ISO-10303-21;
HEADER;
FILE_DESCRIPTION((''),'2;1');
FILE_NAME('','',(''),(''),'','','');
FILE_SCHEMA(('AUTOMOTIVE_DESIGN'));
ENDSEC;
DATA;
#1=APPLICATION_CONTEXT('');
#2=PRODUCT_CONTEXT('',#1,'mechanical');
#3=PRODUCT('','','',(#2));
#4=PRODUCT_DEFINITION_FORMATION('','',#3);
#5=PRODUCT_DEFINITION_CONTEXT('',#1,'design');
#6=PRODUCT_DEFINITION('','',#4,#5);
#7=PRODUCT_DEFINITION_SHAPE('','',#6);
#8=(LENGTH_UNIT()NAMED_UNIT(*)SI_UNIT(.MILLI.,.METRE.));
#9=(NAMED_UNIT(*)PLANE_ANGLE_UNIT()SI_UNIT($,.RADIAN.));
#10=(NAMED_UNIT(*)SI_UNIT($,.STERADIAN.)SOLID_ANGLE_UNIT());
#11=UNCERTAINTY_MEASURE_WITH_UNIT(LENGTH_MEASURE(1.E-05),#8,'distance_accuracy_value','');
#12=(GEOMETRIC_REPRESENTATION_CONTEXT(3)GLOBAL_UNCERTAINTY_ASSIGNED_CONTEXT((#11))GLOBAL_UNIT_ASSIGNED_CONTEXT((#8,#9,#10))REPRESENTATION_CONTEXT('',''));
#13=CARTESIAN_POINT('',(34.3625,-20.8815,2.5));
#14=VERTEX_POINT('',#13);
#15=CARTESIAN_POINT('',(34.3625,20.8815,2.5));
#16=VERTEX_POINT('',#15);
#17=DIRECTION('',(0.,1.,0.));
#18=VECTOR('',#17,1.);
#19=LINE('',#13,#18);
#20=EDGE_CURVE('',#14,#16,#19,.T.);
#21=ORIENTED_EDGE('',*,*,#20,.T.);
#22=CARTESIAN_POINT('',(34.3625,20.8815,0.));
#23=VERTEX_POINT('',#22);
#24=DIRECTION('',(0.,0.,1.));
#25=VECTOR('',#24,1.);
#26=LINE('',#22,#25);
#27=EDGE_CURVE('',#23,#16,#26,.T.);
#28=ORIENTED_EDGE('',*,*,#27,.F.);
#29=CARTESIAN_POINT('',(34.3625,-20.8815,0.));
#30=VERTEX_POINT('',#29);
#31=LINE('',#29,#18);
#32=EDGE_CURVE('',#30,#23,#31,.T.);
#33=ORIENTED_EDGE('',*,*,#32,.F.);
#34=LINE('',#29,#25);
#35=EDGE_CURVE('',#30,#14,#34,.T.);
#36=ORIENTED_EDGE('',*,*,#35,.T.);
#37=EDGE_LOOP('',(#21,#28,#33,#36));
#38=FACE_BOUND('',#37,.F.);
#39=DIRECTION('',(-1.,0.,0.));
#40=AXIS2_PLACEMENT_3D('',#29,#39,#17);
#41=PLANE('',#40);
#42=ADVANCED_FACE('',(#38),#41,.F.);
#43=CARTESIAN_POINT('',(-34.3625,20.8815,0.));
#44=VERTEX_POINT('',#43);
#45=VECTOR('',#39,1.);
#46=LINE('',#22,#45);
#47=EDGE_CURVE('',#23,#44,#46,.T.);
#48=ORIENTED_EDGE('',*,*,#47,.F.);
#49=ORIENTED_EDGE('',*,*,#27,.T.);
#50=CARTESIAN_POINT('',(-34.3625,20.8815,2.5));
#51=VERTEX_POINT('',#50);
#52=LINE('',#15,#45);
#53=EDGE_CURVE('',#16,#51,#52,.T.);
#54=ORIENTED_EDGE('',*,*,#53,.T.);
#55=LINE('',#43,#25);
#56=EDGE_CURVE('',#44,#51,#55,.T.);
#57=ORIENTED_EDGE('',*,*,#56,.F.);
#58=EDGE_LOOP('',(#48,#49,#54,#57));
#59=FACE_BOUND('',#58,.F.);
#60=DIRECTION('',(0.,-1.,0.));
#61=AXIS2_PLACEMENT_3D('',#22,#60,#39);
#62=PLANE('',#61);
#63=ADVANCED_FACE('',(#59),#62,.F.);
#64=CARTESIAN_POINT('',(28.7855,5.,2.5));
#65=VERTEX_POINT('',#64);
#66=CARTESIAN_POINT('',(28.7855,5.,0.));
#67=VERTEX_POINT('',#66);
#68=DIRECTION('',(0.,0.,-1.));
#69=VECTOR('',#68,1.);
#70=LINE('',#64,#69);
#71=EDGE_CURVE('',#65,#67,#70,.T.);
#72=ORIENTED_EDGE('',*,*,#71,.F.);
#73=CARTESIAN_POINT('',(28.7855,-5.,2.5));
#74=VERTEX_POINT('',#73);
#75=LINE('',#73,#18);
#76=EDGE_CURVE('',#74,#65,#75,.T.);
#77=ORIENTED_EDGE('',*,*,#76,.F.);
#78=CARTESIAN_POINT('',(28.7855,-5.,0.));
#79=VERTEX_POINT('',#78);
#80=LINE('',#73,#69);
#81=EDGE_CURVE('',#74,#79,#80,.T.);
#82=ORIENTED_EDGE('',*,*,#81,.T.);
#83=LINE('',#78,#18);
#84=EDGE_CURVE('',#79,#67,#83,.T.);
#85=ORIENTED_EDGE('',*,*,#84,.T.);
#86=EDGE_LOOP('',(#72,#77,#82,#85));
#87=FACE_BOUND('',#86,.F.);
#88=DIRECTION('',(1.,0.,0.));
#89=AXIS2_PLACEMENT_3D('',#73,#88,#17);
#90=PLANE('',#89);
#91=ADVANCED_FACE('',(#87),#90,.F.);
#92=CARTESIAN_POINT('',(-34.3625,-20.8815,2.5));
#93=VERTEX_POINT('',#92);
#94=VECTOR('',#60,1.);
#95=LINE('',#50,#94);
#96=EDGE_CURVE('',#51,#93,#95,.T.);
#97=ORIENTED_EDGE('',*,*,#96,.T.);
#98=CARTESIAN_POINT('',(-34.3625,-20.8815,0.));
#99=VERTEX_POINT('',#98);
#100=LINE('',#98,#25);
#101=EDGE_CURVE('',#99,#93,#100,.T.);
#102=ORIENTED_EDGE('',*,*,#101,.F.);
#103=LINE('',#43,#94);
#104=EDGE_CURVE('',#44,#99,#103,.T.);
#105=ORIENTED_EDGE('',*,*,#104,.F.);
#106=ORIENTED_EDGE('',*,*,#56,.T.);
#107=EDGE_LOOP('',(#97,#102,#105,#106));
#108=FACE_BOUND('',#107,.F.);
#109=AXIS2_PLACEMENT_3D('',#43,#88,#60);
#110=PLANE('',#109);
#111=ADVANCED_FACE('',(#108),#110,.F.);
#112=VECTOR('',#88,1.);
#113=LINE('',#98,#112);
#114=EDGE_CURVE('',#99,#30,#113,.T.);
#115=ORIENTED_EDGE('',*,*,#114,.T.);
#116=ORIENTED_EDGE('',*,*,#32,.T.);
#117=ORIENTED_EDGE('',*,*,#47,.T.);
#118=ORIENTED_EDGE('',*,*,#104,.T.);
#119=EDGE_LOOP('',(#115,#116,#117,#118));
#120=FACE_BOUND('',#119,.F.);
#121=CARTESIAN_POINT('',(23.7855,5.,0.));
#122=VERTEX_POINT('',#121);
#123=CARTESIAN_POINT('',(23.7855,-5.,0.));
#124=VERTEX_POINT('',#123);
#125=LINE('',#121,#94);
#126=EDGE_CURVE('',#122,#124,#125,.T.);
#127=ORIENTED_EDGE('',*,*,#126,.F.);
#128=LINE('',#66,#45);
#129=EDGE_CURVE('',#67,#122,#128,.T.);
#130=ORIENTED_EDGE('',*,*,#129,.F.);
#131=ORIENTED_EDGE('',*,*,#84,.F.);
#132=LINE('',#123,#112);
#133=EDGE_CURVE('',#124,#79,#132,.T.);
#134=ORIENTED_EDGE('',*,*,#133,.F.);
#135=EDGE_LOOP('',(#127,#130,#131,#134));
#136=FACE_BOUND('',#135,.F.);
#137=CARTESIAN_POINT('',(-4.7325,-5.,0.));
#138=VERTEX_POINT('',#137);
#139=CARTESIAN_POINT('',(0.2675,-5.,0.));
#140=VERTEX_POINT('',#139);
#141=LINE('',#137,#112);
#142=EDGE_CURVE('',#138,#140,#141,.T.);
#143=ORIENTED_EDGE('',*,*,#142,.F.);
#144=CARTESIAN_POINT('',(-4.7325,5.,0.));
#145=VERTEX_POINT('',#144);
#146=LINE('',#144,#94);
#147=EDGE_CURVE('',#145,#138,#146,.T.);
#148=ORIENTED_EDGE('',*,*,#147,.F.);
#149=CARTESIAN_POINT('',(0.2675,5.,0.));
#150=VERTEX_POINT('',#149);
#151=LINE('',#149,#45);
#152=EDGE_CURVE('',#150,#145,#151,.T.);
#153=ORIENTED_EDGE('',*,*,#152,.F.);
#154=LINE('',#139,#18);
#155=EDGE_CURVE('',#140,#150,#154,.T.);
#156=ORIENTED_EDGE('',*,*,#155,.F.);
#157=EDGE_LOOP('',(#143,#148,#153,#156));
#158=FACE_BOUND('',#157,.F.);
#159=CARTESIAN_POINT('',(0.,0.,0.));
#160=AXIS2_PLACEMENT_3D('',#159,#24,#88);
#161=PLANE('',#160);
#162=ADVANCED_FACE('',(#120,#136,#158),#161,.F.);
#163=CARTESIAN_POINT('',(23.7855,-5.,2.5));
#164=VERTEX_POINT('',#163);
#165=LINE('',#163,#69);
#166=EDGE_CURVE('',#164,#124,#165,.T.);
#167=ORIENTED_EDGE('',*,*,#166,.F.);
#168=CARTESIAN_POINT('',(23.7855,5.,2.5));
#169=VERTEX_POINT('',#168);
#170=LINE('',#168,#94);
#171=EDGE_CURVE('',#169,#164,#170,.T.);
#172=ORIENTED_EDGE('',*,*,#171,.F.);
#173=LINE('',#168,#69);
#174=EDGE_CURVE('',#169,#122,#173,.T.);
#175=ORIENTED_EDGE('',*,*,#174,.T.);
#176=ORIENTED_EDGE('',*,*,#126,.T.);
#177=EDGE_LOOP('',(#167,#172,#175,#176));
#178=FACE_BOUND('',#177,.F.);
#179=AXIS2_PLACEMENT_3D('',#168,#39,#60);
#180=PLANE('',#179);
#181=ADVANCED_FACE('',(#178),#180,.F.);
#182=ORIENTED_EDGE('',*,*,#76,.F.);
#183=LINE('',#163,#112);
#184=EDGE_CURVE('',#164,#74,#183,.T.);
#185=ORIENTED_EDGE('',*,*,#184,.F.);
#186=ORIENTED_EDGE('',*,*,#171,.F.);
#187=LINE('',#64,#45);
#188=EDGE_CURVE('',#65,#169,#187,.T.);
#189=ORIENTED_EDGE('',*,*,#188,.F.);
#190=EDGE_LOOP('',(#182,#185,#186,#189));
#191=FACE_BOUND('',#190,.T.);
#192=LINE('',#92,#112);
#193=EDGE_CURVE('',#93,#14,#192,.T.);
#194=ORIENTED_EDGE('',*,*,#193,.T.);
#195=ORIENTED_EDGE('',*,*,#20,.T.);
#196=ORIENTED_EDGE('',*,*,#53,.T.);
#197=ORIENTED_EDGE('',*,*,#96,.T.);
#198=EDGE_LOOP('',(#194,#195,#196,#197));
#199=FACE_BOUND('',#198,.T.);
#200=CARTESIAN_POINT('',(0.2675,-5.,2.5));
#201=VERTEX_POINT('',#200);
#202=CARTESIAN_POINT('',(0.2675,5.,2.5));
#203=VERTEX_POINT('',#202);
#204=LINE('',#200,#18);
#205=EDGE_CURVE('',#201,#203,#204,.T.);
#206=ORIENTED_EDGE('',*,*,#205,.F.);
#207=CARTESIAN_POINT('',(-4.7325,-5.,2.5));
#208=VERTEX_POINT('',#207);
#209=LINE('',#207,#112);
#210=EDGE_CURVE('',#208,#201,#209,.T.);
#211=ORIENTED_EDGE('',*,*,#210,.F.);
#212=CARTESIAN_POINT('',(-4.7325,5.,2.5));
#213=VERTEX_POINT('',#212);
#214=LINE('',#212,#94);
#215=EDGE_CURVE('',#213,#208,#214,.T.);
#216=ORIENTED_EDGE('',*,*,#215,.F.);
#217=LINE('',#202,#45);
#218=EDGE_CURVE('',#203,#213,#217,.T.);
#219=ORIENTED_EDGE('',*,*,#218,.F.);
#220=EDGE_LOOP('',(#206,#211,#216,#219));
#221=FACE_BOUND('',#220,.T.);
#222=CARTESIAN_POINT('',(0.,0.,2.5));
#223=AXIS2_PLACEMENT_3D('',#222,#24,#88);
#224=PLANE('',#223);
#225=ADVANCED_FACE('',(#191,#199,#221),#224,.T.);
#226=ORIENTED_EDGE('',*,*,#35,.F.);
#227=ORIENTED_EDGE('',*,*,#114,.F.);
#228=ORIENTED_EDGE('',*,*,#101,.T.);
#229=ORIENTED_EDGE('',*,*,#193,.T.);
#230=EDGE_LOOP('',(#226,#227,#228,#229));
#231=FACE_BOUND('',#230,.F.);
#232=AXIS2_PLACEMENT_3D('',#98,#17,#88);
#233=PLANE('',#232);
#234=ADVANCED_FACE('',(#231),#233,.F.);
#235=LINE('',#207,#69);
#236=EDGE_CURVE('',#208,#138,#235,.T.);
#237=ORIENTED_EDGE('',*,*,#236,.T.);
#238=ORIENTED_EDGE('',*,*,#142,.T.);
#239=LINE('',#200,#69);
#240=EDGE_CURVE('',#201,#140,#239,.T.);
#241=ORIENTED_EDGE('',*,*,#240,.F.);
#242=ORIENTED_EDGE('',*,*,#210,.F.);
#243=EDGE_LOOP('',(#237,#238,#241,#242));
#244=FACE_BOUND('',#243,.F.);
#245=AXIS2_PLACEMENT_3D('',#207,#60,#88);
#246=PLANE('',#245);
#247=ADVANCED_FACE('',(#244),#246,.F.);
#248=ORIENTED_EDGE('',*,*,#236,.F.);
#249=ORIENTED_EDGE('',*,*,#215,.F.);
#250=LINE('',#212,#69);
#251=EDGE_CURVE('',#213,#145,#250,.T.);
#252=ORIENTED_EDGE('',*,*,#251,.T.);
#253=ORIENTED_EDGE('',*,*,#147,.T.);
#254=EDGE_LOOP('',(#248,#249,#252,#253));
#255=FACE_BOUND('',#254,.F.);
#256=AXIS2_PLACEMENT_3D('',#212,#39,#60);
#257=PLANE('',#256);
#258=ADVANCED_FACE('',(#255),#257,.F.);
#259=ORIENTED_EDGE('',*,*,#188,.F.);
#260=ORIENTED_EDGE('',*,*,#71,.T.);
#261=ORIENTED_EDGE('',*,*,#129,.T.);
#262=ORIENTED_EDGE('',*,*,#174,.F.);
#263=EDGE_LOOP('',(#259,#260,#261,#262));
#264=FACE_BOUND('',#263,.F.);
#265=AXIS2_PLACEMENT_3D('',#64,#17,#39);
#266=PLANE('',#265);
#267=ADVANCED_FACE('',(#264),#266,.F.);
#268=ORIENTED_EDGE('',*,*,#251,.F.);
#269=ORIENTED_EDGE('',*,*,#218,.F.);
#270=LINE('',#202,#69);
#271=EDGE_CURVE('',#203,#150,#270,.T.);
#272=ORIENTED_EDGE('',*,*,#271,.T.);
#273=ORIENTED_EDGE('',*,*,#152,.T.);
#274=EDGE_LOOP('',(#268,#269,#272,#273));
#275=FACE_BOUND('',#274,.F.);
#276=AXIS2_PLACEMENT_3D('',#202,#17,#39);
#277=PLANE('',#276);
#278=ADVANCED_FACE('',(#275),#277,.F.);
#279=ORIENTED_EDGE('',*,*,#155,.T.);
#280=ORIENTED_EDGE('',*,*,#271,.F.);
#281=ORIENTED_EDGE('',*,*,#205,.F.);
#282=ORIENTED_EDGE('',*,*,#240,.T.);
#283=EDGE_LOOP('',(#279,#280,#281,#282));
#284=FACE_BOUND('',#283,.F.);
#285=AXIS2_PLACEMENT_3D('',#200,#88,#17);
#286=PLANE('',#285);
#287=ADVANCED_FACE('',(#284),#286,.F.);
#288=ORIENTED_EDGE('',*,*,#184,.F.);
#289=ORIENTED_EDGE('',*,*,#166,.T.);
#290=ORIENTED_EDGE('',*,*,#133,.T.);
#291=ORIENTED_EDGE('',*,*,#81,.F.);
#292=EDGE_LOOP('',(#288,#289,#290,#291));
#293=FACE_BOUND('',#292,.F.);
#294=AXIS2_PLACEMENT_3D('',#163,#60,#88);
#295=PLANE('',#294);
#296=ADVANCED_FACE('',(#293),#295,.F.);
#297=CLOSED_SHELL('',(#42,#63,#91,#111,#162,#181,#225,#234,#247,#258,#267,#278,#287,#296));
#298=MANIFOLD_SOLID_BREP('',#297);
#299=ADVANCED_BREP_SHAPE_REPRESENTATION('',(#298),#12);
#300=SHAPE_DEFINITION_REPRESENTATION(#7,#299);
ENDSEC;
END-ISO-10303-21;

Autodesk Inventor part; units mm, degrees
ref_plane "YZ Plane" through (0, 0, 0) normal (1, 0, 0) x (0, 1, 0)
ref_plane "XZ Plane" through (0, 0, 0) normal (0, 1, 0) x (-1, 0, 0)
ref_plane "XY Plane" through (0, 0, 0) normal (0, 0, 1) x (1, 0, 0)
sketch "Sketch1" plane through (0, 0, 0) normal (0, 0, 1) x (1, 0, 0)
  line L0 (34.3625, 20.8815) -> (-34.3625, 20.8815)
  line L1 (-34.3625, 20.8815) -> (-34.3625, -20.8815)
  line L2 (-34.3625, -20.8815) -> (34.3625, -20.8815)
  line L3 (34.3625, -20.8815) -> (34.3625, 20.8815)
  point P0 (0, 0)
extrude "Extrusion1" add sketch "Sketch1" along normal blind 2.5
sketch "Sketch2" plane through (0, 0, 2.5) normal (0, 0, 1) x (1, 0, 0)
  line L0 (0.2675, 5) -> (-4.7325, 5)
  line L1 (-4.7325, 5) -> (-4.7325, -5)
  line L2 (-4.7325, -5) -> (0.2675, -5)
  line L3 (0.2675, -5) -> (0.2675, 5)
  line L4 (28.7855, 5) -> (23.7855, 5)
  line L5 (23.7855, 5) -> (23.7855, -5)
  line L6 (23.7855, -5) -> (28.7855, -5)
  line L7 (28.7855, -5) -> (28.7855, 5)
  point P0 (0, 0)
  point P1 (-2.2325, 0)
  point P2 (26.2855, 0)
extrude "Extrusion2" cut sketch "Sketch2" against normal blind 2.5
properties part number "tail plate"
